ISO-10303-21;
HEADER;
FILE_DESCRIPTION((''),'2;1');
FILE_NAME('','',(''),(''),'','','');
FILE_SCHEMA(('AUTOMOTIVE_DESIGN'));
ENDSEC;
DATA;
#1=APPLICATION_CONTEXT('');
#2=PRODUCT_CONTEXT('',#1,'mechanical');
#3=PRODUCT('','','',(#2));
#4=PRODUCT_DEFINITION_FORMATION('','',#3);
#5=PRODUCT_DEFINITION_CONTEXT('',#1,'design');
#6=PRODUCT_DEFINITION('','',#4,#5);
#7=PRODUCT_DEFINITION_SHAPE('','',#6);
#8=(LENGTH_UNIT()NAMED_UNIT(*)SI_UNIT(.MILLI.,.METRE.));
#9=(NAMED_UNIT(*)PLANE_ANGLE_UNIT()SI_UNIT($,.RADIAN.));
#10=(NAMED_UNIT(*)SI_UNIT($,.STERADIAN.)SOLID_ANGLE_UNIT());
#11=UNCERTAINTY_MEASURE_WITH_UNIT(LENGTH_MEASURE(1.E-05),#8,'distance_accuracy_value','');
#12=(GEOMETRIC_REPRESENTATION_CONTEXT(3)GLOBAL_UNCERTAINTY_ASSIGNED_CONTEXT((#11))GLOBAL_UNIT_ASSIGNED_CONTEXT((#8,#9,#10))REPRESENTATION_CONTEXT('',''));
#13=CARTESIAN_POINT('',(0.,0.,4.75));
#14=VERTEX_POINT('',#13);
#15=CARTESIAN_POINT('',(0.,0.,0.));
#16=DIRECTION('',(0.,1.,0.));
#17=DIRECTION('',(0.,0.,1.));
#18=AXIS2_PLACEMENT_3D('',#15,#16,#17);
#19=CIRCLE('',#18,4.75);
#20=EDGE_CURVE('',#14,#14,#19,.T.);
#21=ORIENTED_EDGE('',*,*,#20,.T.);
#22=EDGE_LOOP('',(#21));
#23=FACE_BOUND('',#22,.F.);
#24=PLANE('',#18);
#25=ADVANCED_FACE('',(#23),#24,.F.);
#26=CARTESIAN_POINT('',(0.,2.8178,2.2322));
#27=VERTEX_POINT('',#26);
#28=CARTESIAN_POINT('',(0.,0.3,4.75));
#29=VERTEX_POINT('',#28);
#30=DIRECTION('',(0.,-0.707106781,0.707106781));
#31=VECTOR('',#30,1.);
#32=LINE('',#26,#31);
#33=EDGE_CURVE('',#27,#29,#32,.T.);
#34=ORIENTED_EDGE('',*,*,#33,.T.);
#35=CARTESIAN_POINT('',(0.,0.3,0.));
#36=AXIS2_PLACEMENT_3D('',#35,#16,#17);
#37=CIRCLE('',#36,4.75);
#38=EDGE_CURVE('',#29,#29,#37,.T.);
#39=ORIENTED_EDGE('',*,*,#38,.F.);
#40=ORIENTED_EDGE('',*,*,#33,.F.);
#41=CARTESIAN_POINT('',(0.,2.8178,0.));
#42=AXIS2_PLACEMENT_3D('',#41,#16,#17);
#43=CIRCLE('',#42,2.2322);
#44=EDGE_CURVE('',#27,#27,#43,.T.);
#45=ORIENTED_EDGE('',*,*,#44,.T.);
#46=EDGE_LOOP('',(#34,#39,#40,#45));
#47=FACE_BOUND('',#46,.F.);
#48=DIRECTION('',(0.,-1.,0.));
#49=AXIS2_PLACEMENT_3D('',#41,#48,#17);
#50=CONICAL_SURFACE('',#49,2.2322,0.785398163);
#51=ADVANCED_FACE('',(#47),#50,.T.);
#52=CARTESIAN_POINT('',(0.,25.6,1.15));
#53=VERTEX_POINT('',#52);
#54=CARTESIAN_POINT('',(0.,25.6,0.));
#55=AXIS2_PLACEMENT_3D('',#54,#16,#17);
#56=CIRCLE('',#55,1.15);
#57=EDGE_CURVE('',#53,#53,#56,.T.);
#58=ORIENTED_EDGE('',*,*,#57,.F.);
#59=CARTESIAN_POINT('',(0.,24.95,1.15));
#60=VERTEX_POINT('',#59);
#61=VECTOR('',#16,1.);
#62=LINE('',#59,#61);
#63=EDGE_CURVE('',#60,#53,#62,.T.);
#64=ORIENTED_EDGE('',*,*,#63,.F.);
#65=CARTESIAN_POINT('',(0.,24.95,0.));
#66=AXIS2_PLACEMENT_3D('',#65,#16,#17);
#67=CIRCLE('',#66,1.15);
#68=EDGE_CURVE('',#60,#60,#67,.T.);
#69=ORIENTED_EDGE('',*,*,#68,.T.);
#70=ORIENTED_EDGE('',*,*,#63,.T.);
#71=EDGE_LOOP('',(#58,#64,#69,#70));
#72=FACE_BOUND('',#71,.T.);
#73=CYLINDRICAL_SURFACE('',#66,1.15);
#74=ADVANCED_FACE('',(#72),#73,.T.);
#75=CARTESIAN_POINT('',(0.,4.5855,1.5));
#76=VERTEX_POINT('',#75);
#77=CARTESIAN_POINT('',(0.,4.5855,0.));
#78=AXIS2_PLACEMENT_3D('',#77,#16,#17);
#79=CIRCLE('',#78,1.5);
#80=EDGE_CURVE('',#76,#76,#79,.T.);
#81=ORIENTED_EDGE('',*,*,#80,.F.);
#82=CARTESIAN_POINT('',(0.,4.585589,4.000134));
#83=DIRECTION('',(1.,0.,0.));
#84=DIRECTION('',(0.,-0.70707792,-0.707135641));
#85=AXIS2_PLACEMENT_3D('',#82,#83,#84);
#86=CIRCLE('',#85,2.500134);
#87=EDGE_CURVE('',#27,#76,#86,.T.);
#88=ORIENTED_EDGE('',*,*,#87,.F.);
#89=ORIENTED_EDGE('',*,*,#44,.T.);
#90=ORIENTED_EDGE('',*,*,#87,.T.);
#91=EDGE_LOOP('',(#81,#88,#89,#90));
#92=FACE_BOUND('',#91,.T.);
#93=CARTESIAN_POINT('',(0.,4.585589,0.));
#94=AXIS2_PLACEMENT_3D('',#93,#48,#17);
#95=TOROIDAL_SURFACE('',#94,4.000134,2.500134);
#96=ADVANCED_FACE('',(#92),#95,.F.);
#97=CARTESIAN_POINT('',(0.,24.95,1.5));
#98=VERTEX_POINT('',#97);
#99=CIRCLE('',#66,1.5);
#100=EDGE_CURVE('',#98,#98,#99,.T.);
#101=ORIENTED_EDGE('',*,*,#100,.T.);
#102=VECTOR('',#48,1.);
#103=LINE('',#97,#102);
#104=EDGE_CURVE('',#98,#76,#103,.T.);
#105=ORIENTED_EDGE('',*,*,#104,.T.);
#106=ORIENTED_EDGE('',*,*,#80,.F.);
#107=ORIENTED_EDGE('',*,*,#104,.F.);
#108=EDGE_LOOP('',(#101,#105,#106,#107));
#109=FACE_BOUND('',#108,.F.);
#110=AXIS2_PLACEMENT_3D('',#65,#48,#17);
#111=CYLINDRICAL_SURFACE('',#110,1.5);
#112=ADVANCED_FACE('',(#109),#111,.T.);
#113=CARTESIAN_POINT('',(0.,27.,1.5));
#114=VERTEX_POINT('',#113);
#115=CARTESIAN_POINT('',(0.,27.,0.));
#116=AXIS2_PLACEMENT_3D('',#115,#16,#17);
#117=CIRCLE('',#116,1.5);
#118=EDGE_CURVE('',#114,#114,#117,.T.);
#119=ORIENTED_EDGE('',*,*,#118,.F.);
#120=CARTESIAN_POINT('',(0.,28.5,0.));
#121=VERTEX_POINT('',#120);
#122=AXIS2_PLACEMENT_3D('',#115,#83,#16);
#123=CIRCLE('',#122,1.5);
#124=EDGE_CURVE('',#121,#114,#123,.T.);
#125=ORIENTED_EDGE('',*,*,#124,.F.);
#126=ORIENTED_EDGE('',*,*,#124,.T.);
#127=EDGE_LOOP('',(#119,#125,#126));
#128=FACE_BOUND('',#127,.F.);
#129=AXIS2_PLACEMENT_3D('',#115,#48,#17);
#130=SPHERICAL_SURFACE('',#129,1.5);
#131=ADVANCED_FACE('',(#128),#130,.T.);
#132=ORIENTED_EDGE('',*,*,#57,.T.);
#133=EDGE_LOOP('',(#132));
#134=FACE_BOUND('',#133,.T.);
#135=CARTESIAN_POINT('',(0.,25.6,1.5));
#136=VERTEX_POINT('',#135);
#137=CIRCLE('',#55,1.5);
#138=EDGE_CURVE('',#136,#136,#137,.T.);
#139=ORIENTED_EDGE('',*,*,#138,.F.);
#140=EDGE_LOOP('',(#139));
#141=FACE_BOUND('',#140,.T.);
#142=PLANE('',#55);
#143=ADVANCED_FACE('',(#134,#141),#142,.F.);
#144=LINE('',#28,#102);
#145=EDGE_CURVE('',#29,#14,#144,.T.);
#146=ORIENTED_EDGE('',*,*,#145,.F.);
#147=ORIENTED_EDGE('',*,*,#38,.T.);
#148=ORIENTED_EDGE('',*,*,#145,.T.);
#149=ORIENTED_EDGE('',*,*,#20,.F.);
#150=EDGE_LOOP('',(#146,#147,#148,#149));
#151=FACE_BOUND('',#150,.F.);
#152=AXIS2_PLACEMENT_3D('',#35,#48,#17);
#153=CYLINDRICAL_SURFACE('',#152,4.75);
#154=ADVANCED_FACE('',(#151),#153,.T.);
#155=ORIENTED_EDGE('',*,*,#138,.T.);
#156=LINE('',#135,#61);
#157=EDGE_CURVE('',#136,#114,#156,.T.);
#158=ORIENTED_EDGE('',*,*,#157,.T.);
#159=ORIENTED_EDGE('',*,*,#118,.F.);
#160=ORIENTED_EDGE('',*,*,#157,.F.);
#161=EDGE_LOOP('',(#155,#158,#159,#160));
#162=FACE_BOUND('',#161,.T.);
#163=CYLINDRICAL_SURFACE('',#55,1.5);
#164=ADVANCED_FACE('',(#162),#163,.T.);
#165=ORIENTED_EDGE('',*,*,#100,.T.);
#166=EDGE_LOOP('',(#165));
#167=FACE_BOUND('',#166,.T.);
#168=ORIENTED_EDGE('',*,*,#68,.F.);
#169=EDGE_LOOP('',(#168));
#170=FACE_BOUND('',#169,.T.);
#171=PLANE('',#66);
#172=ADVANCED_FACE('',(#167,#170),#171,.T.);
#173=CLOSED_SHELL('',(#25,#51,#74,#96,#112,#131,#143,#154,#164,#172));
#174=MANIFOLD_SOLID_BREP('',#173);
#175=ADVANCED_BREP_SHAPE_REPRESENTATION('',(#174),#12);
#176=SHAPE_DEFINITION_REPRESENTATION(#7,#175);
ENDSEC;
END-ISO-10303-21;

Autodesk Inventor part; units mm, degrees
ref_plane "YZ Plane" through (0, 0, 0) normal (1, 0, 0) x (0, 1, 0)
ref_plane "XZ Plane" through (0, 0, 0) normal (0, 1, 0) x (-1, 0, 0)
ref_plane "XY Plane" through (0, 0, 0) normal (0, 0, 1) x (1, 0, 0)
sketch "Sketch1" plane through (0, 0, 0) normal (1, 0, 0) x (0, 1, 0)
  line L0 (0, 0) -> (28.5, 0)
  line L1 (24.95, 1.5) -> (4.5855, 1.5)
  line L2 (2.8178, 2.2322) -> (0.3, 4.75)
  line L3 (0.3, 4.75) -> (0, 4.75)
  line L4 (0, 4.75) -> (0, 0)
  arc A0 (28.5, 0) -> (27, 1.5) centre (27, 0) ccw
  line L5 (24.95, 1.5) -> (24.95, 1.15)
  line L6 (24.95, 1.15) -> (25.6, 1.15)
  line L7 (25.6, 1.15) -> (25.6, 1.5)
  line L8 (25.6, 1.5) -> (27, 1.5)
  arc A1 (2.8178, 2.2322) -> (4.5855, 1.5) centre (4.5855, 4) ccw
  dimension "d1" = 4.75
  dimension "d2" = 1.5
  dimension "d3" = 0.3
  dimension "d4" = 45
  dimension "d5" = 1.5
  dimension "d6" = 1.15
  dimension "d8" = 0.65
  dimension "d9" = 1.4
  dimension "d10" = 27
  dimension "d11" = 2.5
revolve "Revolution1" add sketch "Sketch1" angle 360 about axis through (0, 0, 0) along (0, 1, 0)
properties part number "Component 24 (Valve)"
